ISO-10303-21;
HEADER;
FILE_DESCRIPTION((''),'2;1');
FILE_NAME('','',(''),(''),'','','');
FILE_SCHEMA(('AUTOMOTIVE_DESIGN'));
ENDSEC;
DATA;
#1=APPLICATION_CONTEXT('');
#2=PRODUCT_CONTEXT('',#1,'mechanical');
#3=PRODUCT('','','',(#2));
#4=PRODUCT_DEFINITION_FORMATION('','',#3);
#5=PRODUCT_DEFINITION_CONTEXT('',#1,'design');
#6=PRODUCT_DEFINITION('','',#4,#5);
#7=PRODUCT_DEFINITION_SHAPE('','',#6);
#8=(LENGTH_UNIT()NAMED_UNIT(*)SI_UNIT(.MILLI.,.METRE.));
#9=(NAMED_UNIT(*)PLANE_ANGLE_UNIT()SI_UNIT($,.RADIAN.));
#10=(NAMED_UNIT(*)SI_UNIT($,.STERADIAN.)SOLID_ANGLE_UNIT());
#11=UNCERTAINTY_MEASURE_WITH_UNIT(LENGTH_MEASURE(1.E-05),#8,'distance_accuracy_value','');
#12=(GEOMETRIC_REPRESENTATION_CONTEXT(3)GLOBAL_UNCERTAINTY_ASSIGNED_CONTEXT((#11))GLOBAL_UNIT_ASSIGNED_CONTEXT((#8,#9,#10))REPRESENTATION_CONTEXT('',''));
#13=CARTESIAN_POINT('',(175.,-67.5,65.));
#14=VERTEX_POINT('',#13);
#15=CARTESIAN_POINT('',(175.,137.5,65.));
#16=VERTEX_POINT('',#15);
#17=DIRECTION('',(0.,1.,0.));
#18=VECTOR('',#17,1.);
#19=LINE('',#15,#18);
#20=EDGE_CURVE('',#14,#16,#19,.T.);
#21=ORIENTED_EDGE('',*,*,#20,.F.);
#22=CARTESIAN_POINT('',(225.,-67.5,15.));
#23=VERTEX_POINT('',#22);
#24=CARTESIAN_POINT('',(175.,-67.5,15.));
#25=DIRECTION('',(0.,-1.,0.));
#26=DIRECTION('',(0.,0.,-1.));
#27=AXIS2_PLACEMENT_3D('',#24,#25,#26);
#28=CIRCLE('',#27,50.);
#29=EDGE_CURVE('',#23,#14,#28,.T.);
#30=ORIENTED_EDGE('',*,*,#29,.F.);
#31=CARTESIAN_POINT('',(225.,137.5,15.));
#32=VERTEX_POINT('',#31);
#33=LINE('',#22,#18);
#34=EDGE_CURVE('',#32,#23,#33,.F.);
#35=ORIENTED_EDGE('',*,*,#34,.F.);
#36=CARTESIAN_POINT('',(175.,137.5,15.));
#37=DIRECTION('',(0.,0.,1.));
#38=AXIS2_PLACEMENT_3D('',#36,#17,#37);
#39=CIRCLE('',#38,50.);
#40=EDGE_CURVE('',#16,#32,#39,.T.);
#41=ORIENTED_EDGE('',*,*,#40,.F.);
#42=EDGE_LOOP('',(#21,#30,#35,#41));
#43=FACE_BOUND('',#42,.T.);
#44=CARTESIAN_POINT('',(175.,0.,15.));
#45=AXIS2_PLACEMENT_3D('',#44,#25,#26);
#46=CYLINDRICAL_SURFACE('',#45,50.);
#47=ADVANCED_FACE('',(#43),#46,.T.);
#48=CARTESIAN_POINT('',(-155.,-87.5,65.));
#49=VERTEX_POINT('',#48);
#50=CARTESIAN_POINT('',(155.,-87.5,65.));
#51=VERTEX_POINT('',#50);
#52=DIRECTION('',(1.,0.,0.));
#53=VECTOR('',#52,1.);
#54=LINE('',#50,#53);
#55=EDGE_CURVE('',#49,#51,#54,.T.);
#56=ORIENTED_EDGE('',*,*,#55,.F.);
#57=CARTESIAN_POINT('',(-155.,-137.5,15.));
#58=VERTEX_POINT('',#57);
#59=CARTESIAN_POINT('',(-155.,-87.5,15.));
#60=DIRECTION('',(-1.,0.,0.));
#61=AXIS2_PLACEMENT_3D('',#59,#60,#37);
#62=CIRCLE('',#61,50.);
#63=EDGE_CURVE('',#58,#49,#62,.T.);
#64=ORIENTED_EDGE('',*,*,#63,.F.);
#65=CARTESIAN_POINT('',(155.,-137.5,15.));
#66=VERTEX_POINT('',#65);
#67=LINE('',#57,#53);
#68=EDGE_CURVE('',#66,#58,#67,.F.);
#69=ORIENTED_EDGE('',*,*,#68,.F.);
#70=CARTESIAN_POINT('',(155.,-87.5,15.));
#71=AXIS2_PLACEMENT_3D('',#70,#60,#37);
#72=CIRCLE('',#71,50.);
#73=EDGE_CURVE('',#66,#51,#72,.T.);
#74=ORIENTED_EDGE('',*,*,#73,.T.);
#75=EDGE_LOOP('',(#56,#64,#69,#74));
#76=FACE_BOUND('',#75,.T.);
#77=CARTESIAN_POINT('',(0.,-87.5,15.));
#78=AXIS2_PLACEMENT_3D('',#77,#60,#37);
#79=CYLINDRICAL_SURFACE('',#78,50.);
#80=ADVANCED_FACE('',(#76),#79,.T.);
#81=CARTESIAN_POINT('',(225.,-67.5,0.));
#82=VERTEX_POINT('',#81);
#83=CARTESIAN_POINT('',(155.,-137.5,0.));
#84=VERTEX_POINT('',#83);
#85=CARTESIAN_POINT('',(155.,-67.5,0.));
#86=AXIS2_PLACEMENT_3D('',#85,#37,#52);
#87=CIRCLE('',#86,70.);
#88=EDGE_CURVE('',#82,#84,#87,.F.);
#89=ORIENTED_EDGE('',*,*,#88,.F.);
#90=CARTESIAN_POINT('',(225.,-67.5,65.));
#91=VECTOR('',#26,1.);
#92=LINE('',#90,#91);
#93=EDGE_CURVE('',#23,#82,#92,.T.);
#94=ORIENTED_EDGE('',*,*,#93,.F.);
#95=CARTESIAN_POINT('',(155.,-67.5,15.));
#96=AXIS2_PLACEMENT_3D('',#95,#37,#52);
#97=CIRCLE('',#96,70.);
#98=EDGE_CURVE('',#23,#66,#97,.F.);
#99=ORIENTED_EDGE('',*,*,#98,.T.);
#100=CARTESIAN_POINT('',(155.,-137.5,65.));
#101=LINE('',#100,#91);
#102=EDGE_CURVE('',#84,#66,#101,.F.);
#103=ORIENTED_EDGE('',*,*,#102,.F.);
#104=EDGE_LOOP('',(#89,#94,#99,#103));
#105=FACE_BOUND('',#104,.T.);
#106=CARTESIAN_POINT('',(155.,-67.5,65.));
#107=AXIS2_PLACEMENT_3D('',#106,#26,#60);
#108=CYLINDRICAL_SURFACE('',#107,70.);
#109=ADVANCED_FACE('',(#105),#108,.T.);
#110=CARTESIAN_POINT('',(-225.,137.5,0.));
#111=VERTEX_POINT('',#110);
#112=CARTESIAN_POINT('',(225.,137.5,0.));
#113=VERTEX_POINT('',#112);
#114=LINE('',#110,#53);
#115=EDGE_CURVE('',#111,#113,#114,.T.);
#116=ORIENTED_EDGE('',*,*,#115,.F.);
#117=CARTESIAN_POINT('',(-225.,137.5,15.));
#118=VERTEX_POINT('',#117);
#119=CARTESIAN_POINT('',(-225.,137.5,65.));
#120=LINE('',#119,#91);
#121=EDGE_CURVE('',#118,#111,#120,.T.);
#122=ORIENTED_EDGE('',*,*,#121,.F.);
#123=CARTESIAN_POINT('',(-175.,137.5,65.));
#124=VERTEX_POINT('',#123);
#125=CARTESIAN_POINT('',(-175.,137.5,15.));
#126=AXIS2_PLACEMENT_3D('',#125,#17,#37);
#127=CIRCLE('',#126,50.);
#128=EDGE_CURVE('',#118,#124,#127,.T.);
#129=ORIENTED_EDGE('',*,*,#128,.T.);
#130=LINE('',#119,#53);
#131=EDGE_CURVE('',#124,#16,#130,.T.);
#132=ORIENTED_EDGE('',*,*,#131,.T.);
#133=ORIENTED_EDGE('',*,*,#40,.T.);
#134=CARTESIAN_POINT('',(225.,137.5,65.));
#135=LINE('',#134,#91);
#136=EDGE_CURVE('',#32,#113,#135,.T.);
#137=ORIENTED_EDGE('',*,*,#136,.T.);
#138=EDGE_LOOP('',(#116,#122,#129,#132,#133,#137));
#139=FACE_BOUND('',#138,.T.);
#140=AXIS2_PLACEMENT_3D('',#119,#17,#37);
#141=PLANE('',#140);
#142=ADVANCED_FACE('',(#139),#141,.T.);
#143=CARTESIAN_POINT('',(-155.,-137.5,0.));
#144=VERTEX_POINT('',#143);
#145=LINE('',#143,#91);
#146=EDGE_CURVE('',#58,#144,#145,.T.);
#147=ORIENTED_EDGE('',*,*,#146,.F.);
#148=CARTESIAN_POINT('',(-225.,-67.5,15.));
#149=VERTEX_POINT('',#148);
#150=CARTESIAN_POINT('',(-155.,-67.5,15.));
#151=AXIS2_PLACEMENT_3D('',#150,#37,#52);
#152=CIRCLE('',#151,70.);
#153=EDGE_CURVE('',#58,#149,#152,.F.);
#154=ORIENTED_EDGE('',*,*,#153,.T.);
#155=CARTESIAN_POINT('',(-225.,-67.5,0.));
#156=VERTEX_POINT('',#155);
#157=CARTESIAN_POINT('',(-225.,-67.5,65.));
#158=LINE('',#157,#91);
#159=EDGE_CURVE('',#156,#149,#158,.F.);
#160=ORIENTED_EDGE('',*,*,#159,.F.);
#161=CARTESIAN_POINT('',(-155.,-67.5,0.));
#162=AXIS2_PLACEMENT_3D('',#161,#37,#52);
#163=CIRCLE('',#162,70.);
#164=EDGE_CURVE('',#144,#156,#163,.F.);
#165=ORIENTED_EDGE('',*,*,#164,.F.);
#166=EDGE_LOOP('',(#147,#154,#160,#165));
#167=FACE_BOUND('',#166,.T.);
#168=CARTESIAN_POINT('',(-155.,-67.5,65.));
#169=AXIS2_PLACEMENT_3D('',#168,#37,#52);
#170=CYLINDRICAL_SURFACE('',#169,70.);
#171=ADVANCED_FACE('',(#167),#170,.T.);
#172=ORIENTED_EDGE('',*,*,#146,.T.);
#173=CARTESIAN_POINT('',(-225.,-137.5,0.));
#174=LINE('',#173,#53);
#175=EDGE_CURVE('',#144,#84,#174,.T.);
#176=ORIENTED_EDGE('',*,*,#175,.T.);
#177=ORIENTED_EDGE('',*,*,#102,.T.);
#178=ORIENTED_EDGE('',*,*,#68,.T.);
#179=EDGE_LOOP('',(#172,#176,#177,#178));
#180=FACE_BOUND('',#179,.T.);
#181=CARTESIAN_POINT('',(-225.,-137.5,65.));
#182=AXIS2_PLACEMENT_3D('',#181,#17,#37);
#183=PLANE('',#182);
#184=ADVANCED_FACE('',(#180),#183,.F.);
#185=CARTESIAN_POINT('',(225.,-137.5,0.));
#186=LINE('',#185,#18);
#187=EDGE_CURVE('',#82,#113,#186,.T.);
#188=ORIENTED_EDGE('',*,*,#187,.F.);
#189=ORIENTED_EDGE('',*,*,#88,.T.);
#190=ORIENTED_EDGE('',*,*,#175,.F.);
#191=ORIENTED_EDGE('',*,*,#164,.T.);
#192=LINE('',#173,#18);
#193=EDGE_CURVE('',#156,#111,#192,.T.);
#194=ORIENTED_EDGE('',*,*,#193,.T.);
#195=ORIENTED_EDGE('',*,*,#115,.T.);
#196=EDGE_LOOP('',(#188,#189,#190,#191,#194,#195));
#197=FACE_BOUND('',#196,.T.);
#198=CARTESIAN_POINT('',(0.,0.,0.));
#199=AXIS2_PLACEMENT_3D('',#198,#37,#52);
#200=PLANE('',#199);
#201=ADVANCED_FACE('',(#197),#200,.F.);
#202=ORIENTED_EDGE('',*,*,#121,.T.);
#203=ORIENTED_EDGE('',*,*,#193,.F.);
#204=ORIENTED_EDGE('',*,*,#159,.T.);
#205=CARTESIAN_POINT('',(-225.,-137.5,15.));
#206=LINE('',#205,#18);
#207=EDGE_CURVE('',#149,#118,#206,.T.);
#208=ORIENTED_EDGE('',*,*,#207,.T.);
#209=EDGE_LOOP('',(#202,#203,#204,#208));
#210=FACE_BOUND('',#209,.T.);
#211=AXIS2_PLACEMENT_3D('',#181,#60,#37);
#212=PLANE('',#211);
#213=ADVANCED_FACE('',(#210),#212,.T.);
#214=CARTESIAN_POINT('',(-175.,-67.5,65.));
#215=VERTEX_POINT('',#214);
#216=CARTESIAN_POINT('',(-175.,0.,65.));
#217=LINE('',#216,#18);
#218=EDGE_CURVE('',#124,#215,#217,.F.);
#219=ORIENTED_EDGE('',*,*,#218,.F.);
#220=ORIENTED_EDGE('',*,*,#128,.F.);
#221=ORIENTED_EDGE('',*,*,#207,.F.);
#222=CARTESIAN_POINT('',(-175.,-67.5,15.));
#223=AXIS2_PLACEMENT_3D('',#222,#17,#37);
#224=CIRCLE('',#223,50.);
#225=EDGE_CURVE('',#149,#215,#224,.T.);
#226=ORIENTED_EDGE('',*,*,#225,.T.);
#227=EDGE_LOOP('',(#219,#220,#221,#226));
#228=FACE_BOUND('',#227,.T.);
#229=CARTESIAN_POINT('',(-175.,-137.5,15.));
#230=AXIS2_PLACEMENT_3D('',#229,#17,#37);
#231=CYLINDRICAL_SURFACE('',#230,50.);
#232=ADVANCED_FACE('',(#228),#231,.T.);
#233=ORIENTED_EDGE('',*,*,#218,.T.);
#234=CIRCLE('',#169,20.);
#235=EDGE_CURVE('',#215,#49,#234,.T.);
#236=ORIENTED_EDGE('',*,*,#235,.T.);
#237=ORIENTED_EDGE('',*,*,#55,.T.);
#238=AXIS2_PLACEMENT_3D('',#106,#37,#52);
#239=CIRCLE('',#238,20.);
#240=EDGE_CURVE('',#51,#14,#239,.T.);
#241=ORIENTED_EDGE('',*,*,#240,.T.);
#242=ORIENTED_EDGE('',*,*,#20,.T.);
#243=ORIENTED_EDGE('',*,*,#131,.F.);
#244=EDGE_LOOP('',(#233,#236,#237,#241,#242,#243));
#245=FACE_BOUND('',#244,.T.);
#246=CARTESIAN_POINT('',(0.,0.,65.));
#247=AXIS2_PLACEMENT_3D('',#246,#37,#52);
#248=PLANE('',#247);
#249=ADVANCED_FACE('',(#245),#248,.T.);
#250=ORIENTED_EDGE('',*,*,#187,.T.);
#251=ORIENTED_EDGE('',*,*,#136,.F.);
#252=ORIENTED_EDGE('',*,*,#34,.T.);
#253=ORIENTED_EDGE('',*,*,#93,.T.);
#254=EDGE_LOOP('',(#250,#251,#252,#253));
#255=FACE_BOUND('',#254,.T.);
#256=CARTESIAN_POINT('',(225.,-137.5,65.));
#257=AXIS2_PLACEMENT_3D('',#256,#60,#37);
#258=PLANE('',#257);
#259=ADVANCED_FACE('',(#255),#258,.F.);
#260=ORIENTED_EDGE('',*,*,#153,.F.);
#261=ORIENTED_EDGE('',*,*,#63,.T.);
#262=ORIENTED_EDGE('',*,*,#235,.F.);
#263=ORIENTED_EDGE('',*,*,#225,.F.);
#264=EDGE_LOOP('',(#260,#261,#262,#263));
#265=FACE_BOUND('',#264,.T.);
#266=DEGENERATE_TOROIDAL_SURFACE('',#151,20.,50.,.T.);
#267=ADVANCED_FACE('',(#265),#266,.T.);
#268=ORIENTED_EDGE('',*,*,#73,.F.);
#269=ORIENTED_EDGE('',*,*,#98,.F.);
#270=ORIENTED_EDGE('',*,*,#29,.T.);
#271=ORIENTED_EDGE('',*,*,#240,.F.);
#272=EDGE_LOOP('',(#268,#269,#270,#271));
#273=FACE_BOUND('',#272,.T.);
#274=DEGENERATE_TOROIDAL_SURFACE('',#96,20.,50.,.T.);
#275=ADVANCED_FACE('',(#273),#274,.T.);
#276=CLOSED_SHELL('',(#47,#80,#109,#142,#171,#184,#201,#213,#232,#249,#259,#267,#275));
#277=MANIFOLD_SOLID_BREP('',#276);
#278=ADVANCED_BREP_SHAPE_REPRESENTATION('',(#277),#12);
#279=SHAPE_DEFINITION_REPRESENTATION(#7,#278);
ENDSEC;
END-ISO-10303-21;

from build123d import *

# Parameters (mm, degrees)
CROQUIS1_W              = 450
CROQUIS1_H              = 275
SALIENTE_EXTRUIR1_DEPTH = 65
REDONDEO1_R             = 70
REDONDEO2_R             = 70
REDONDEO3_R             = 50


with BuildPart() as part:
    # Croquis1 → Saliente-Extruir1 (new body)
    with BuildSketch(Plane.XY):
        Rectangle(CROQUIS1_W, CROQUIS1_H)
    extrude(amount=SALIENTE_EXTRUIR1_DEPTH)

    # Redondeo1
    redondeo1_edges = [part.edges().sort_by_distance(p)[0] for p in [
        (-225, -137.5, 32.5),
    ]]
    fillet(redondeo1_edges, radius=REDONDEO1_R)

    # Redondeo2
    redondeo2_edges = [part.edges().sort_by_distance(p)[0] for p in [
        (225, -137.5, 32.5),
    ]]
    fillet(redondeo2_edges, radius=REDONDEO2_R)

    # Redondeo3
    redondeo3_edges = [part.edges().sort_by_distance(p)[0] for p in [
        (0, -137.5, 65),
        (-225, 35, 65),
        (-204.497474683, -116.997474683, 65),
        (225, 35, 65),
        (204.497474683, -116.997474683, 65),
    ]]
    fillet(redondeo3_edges, radius=REDONDEO3_R)


solid = part.part
